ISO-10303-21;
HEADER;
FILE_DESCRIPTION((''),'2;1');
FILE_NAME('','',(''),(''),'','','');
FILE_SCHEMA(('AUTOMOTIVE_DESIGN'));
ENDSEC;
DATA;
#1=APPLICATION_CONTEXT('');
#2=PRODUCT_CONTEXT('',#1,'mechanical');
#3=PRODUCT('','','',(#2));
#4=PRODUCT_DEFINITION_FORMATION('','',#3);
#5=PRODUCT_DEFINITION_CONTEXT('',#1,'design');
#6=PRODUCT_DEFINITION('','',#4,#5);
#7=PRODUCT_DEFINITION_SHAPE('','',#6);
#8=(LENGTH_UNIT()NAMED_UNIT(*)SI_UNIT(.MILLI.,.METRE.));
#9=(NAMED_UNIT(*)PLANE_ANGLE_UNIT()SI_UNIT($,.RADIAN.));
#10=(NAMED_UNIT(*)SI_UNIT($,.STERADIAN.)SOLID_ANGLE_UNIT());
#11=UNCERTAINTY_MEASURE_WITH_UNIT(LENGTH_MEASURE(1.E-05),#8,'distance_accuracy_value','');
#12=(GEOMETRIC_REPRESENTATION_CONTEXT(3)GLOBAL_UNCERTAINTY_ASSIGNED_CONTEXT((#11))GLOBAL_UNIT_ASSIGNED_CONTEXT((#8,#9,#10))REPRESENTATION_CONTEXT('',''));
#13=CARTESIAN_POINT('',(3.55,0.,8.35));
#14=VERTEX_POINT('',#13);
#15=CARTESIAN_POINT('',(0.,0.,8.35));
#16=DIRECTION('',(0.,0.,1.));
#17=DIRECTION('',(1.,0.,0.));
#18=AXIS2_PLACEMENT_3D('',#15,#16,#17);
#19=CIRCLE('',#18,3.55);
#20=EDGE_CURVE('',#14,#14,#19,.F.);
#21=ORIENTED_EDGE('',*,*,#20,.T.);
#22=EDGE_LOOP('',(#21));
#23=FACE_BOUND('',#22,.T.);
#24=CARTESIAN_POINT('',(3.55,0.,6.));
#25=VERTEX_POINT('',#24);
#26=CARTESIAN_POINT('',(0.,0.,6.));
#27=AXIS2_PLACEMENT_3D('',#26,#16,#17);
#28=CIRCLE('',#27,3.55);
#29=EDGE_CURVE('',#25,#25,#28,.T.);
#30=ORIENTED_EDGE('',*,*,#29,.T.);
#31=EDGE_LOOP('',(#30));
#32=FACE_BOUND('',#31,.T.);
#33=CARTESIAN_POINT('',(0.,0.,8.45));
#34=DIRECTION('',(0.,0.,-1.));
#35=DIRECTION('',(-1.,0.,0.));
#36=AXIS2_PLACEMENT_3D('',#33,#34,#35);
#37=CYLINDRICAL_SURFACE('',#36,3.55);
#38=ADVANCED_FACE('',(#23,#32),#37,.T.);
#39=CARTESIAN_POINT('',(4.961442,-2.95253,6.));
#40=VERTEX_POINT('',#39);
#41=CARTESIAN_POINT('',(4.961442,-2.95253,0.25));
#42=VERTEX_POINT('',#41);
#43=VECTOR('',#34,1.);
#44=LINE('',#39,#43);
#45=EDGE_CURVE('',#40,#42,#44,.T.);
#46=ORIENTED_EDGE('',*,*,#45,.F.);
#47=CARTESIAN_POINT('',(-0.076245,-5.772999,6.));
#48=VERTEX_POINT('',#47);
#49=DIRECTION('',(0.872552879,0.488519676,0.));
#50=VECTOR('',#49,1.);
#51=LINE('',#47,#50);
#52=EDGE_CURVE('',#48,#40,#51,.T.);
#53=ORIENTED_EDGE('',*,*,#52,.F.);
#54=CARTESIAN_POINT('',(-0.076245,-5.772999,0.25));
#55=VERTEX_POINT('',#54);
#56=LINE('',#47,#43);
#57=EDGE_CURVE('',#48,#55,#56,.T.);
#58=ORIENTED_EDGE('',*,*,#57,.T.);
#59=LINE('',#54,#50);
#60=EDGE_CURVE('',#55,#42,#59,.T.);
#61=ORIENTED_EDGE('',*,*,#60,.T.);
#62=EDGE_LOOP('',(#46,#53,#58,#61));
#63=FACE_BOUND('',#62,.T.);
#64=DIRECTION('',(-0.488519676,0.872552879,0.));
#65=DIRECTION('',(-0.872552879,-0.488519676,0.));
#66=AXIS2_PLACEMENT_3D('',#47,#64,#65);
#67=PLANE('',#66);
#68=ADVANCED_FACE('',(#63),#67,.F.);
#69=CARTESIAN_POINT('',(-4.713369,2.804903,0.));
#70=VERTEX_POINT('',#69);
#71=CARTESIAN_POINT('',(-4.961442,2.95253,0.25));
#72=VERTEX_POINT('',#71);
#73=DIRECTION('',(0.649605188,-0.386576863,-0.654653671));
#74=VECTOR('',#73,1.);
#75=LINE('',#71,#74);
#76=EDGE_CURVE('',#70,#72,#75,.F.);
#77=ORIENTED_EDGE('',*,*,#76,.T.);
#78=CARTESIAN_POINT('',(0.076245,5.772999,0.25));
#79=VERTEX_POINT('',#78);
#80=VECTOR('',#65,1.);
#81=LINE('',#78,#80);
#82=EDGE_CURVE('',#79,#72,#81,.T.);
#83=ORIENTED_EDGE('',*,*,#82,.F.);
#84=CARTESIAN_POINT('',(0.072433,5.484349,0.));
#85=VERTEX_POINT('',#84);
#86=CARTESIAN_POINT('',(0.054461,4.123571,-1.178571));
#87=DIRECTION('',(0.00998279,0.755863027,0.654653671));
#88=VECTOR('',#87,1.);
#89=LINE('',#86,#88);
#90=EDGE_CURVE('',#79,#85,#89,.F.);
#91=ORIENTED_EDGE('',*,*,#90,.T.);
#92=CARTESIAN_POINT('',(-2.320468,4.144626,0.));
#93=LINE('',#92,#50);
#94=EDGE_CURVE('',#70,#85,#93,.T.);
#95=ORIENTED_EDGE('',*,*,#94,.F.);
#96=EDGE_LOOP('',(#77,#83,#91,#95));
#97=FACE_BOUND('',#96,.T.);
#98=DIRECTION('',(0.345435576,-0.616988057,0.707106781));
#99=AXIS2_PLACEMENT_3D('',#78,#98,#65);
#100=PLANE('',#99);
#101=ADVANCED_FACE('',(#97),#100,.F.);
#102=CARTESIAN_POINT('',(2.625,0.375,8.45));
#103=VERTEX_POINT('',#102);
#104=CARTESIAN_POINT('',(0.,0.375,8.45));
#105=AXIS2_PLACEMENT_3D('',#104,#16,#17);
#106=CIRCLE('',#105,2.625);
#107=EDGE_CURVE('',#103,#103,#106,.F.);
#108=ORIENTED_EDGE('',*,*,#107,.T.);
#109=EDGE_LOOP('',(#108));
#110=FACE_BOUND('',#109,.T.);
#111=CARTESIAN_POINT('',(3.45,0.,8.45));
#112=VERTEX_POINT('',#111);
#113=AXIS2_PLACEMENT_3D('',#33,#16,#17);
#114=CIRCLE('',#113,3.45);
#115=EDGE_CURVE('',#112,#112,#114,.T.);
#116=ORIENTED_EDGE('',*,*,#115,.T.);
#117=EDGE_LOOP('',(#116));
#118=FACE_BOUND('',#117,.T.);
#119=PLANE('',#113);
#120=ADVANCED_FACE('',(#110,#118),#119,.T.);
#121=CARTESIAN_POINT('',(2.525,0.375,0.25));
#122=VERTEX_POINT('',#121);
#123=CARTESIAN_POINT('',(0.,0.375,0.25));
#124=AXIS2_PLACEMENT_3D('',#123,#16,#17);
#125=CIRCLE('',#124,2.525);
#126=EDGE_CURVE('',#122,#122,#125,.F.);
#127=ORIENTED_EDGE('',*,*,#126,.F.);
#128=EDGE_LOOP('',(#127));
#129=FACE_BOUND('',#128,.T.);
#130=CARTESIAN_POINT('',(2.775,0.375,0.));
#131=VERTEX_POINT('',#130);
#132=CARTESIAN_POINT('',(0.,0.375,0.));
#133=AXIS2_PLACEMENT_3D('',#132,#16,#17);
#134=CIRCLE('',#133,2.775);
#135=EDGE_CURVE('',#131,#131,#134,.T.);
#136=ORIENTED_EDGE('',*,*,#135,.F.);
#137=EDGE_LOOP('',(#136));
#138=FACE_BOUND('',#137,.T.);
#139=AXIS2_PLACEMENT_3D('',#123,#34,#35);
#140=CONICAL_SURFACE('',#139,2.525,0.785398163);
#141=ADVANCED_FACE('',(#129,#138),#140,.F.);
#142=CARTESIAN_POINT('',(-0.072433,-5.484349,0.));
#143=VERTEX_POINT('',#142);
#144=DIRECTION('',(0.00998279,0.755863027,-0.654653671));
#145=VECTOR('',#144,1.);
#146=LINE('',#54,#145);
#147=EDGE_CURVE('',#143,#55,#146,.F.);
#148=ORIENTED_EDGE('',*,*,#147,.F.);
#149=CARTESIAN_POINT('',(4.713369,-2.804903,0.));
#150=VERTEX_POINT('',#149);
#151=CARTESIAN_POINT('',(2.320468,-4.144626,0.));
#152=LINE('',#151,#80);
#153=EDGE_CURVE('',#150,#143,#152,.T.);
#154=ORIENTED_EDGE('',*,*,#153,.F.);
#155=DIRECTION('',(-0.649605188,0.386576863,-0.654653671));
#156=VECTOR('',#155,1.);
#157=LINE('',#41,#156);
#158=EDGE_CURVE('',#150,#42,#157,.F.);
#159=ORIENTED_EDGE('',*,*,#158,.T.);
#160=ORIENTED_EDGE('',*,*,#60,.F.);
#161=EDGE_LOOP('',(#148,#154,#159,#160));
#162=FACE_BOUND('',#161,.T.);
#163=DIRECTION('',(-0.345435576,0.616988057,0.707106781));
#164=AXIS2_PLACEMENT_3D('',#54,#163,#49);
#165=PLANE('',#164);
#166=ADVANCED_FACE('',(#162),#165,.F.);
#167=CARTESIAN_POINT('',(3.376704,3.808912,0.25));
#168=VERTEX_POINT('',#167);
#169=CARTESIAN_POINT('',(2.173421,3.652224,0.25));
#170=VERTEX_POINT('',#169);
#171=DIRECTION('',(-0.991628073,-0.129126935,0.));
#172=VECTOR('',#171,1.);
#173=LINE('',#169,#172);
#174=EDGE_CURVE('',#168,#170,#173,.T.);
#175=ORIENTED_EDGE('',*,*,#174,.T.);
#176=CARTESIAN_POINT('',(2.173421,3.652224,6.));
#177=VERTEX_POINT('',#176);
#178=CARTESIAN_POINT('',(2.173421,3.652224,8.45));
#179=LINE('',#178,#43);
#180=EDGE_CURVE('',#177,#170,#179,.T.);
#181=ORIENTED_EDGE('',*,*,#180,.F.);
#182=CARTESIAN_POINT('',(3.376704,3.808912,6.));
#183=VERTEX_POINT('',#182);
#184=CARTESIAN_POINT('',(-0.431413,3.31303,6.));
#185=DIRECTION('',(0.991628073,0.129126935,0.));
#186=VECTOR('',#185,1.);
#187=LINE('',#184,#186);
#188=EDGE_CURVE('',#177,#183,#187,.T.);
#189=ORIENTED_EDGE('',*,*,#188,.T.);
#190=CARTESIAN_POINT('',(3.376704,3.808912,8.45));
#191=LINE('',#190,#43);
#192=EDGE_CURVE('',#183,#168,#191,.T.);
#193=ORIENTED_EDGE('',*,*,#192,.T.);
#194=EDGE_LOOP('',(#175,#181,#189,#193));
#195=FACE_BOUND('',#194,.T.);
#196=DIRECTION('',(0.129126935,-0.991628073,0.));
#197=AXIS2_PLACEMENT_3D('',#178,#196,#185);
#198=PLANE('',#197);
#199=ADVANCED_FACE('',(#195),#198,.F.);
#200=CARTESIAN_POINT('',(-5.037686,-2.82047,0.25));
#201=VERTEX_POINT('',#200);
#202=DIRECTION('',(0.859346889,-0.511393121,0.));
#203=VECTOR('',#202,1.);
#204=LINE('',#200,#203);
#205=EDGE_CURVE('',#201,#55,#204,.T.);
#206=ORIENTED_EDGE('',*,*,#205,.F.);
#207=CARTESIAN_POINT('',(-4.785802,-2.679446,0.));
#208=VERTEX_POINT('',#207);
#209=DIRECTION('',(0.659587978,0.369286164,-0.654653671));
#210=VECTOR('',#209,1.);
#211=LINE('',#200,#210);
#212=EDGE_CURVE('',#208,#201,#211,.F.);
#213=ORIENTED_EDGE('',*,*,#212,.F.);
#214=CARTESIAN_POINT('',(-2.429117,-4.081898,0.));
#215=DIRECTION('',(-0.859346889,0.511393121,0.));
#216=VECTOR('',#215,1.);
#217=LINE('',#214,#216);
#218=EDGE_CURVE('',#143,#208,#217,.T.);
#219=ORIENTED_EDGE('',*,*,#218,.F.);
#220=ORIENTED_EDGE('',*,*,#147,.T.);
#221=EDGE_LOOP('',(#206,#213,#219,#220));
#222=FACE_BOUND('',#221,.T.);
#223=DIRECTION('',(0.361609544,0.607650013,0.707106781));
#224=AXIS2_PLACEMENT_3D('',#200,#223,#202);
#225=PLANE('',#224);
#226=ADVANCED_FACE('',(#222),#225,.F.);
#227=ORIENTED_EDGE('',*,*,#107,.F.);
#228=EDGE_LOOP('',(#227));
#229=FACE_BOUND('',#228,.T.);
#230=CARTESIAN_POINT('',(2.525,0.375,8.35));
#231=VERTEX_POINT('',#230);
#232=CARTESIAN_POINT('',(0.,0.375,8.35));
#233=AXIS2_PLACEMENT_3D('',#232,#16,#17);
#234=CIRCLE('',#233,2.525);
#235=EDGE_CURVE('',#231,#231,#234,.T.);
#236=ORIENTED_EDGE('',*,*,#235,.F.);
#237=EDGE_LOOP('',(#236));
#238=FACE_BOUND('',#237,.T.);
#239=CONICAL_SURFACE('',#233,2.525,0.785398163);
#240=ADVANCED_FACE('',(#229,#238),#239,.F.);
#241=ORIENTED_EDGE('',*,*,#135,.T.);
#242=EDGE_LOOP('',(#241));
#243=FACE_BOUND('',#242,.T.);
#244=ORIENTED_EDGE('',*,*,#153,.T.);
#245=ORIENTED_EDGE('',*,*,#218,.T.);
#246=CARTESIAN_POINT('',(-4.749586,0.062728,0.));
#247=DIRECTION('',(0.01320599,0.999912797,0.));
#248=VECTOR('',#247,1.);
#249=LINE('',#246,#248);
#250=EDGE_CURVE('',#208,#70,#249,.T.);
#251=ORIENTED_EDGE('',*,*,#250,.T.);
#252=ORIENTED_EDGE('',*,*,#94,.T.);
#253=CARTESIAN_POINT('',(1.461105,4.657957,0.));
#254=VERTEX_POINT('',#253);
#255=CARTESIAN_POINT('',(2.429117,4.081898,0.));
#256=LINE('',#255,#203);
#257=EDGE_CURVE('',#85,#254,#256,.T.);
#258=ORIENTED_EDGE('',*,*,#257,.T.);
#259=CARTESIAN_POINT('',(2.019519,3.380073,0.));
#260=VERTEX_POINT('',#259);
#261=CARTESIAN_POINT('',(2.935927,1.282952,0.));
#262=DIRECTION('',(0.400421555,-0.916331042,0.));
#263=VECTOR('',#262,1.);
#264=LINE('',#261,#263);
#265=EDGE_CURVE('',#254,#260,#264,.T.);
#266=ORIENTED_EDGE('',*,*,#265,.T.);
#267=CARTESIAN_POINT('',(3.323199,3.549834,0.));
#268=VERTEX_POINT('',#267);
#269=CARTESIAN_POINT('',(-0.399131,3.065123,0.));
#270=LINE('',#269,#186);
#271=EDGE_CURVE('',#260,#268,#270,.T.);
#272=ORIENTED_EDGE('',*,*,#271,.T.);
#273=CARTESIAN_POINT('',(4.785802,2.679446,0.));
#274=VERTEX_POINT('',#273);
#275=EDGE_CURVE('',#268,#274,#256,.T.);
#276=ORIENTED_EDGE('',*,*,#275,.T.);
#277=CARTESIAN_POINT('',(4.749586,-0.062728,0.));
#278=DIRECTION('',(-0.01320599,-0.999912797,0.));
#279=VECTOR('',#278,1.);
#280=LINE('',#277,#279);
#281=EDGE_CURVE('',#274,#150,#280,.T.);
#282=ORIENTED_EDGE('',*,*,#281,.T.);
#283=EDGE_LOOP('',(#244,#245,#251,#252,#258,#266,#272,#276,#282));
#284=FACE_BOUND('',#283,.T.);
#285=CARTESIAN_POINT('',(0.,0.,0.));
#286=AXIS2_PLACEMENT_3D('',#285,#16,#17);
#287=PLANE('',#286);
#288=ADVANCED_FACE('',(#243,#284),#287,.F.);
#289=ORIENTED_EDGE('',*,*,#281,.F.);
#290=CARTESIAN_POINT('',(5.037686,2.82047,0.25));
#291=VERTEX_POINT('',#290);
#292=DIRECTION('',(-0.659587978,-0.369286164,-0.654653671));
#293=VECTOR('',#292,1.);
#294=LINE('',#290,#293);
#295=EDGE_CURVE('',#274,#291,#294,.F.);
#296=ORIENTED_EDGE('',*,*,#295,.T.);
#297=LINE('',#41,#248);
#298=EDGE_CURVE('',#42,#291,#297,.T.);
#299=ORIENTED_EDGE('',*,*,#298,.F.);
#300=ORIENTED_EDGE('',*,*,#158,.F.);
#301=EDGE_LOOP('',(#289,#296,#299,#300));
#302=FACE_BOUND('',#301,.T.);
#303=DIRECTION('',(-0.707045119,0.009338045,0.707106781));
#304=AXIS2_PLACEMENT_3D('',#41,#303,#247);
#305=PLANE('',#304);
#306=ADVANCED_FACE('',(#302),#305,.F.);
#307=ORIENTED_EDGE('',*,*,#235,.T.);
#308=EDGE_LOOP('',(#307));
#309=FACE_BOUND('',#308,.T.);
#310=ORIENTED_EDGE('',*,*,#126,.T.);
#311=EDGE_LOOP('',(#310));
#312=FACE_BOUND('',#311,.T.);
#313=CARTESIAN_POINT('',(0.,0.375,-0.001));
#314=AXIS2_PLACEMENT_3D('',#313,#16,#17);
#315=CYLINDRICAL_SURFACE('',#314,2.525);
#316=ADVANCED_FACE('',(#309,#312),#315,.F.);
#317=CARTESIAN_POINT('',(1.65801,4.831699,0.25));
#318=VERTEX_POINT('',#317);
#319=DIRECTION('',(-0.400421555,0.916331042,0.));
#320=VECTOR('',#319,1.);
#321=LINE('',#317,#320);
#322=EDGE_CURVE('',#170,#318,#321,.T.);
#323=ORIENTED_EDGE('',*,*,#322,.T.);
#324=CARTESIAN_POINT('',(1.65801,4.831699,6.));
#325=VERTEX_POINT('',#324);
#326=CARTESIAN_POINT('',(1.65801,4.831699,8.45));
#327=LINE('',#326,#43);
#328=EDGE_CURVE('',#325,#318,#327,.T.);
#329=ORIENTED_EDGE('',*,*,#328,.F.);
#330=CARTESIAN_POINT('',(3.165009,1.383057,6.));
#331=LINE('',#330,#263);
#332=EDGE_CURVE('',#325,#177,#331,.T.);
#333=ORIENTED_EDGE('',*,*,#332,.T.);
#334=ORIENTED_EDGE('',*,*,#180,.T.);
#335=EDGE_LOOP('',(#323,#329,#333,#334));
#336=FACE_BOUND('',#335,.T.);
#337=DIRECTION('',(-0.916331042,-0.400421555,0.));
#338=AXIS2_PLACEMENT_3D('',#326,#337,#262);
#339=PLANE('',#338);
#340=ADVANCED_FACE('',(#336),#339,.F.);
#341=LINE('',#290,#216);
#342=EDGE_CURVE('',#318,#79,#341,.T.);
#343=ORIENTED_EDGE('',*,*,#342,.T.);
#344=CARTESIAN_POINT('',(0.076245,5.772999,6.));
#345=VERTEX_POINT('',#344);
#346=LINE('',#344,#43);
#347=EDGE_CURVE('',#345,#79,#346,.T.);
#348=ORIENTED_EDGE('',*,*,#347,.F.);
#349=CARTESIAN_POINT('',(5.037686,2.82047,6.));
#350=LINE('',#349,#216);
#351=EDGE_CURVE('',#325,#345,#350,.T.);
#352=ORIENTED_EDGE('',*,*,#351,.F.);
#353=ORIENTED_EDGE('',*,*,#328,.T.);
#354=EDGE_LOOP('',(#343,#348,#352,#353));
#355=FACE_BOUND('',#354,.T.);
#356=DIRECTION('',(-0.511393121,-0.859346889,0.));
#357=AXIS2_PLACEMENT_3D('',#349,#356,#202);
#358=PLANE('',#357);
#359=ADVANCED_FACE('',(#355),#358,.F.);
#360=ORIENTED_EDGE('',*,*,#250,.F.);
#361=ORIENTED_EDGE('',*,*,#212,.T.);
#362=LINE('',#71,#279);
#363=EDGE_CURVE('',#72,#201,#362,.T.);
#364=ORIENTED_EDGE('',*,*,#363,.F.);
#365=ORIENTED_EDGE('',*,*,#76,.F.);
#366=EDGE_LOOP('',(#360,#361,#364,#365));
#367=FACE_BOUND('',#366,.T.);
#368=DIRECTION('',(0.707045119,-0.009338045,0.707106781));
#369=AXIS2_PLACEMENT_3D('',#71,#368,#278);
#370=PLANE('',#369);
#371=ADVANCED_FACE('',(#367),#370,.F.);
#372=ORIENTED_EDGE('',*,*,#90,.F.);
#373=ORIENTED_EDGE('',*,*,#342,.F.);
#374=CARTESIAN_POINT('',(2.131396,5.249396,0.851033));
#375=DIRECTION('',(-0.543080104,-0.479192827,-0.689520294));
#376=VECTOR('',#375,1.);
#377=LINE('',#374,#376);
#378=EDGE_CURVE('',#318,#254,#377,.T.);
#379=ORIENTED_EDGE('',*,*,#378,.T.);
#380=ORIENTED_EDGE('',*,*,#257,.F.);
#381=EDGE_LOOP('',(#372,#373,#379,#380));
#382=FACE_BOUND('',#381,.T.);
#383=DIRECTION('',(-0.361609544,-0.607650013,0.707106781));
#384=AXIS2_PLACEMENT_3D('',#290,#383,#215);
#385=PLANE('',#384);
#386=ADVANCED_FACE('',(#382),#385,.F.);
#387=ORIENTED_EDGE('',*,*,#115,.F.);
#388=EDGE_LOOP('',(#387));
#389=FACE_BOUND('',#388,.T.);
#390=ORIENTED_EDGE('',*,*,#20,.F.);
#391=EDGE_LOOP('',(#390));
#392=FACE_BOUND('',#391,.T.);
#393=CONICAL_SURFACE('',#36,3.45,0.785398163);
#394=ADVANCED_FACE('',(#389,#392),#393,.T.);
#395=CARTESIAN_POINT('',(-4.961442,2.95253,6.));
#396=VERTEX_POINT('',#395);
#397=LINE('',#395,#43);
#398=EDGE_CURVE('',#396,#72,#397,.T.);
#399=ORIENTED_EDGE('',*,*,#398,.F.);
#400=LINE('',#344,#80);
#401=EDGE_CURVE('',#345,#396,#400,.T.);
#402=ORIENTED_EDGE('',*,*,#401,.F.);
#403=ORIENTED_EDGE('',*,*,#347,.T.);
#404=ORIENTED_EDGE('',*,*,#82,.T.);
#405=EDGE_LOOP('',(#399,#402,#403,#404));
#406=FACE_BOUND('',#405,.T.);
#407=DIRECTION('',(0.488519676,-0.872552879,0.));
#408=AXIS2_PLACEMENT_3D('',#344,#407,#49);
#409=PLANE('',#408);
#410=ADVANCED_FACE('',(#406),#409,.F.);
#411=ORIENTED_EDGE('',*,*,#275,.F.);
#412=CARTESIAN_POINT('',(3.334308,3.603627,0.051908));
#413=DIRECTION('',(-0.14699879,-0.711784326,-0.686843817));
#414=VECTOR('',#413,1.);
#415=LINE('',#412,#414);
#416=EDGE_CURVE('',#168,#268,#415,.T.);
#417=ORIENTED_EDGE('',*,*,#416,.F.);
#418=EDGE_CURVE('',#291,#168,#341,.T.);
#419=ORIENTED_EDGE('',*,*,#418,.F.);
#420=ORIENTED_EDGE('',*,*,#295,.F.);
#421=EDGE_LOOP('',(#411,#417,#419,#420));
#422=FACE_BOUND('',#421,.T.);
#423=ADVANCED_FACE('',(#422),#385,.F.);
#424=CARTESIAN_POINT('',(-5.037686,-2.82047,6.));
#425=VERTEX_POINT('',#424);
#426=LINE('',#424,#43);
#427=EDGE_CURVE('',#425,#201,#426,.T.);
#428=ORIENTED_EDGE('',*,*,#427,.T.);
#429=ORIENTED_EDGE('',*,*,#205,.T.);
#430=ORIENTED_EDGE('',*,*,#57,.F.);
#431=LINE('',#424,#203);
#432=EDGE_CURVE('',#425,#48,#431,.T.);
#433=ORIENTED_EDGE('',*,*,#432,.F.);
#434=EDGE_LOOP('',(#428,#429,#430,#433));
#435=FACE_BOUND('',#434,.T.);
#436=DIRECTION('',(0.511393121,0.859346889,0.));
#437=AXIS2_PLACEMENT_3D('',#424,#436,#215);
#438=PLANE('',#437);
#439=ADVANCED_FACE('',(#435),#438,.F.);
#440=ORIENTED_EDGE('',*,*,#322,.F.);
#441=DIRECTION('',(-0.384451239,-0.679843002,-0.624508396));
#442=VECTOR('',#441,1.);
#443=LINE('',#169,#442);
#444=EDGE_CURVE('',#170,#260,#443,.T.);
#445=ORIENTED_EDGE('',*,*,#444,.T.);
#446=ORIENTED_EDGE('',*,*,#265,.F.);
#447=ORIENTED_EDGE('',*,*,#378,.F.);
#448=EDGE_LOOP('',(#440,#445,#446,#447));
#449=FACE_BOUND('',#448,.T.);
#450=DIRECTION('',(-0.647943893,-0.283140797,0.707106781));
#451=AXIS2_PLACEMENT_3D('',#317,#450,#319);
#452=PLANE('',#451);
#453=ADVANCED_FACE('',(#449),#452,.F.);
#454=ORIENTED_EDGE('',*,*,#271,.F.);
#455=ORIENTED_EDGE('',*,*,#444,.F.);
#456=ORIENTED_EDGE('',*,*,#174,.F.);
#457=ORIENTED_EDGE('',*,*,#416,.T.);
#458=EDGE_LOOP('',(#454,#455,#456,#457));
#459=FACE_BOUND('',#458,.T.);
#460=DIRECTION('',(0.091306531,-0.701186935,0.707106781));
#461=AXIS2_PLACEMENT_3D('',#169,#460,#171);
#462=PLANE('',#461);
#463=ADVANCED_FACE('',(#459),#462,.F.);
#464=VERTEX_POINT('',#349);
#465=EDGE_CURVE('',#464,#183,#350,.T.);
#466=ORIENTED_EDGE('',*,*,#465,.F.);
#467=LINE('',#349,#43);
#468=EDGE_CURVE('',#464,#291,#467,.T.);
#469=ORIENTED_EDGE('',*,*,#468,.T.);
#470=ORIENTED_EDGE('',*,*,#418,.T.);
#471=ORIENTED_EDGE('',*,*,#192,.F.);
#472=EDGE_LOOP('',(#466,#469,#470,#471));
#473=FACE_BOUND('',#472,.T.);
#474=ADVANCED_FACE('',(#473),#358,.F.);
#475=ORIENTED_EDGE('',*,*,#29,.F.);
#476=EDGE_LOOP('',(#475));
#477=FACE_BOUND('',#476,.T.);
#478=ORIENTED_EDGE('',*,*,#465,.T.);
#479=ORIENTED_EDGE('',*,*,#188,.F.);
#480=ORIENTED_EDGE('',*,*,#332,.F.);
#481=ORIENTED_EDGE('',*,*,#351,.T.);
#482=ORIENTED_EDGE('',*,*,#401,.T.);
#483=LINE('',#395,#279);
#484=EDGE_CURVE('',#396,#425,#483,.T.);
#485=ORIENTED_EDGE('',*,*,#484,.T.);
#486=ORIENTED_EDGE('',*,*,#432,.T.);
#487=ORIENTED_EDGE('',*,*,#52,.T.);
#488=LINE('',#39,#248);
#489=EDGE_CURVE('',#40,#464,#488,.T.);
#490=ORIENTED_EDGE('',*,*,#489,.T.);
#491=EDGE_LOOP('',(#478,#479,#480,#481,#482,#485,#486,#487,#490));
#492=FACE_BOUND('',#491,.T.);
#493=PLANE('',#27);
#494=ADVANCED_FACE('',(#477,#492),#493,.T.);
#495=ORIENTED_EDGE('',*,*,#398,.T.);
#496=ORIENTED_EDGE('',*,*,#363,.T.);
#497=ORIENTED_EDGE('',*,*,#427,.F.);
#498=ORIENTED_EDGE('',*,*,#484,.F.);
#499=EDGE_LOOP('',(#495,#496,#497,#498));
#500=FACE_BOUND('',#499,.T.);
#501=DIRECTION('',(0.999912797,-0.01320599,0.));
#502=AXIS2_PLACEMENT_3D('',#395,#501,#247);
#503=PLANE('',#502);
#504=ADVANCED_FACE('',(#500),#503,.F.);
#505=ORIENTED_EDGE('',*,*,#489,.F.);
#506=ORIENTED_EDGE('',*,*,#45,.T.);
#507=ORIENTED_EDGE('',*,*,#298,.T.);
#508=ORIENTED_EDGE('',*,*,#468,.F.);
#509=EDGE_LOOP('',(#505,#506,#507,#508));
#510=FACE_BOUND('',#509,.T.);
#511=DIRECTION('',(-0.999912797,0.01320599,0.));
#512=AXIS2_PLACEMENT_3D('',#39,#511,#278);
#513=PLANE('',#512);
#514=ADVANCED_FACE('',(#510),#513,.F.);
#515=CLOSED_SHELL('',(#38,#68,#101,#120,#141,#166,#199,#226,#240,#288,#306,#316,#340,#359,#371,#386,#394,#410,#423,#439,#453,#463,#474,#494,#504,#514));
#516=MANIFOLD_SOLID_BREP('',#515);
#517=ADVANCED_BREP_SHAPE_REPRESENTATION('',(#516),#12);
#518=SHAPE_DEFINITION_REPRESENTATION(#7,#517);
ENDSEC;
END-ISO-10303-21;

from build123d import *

# Parameters (mm, degrees)
RESSALTO_EXTRUS_O1_DEPTH = 6
ESBO_O2_R                = 3.55
RESSALTO_EXTRUS_O2_DEPTH = 2.45
CORTE_EXTRUS_O1_DEPTH    = 12.406502719
CORTE_EXTRUS_O2_REACH    = 13.407
ESBO_O4_R                = 2.525
CHANFRO2_SIZE            = 0.25
CHANFRO3_SIZE            = 0.1


with BuildPart() as part:
    # Esboço1 → Ressalto-extrusão1 (new body)
    with BuildSketch(Plane.XY):
        Polygon((4.961441577, -2.952529562), (5.037686394, 2.820469664), (0.076244817, 5.772999226), (-4.961441577, 2.952529562), (-5.037686394, -2.820469664), (-0.076244817, -5.772999226), align=None)
    extrude(amount=RESSALTO_EXTRUS_O1_DEPTH)

    # Esboço2 → Ressalto-extrusão2 (add)
    with BuildSketch(Plane.XY.offset(6)):
        Circle(ESBO_O2_R)
    extrude(amount=RESSALTO_EXTRUS_O2_DEPTH)

    # Esboço3 → Corte-extrusão1 (cut, through all)
    with BuildSketch(Plane(origin=(0, 0, 0), x_dir=(-1, 0, 0), z_dir=(0, 0, -1))):
        Polygon((-1.65800996, 4.831698543), (-2.173420765, 3.652224278), (-3.376703738, 3.808912301), align=None)
    extrude(amount=-CORTE_EXTRUS_O1_DEPTH, mode=Mode.SUBTRACT)

    # Esboço4 → Corte-extrusão2 (cut, up to next)
    with BuildSketch(Plane.XY.offset(8.45), mode=Mode.PRIVATE) as corte_extrus_o2_sk1:
        with Locations((0, 0.375)):
            Circle(ESBO_O4_R)
    corte_extrus_o2_tool1 = extrude(corte_extrus_o2_sk1.sketch, amount=-CORTE_EXTRUS_O2_REACH, mode=Mode.PRIVATE) & part.part
    add(corte_extrus_o2_tool1.solids().sort_by_distance((0, 0.375, 8.45))[0], mode=Mode.SUBTRACT)

    # Chanfro2
    chanfro2_edges = [part.edges().sort_by_distance(p)[0] for p in [
        (4.999563986, -0.066029949, 0),
        (2.44259838, -4.362764394, 0),
        (4.207195066, 3.314690983, 0),
        (-2.556965606, -4.296734445, 0),
        (-4.999563986, 0.066029949, 0),
        (-2.44259838, 4.362764394, 0),
        (2.775062251, 3.73056829, 0),
        (0.867127389, 5.302348884, 0),
        (1.915715362, 4.241961411, 0),
        (-2.525, 0.375, 0),
    ]]
    chamfer(chanfro2_edges, length=CHANFRO2_SIZE)

    # Chanfro3
    chanfro3_edges = [part.edges().sort_by_distance(p)[0] for p in [
        (-3.55, 0, 8.45),
        (-2.525, 0.375, 8.45),
    ]]
    chamfer(chanfro3_edges, length=CHANFRO3_SIZE)


solid = part.part
